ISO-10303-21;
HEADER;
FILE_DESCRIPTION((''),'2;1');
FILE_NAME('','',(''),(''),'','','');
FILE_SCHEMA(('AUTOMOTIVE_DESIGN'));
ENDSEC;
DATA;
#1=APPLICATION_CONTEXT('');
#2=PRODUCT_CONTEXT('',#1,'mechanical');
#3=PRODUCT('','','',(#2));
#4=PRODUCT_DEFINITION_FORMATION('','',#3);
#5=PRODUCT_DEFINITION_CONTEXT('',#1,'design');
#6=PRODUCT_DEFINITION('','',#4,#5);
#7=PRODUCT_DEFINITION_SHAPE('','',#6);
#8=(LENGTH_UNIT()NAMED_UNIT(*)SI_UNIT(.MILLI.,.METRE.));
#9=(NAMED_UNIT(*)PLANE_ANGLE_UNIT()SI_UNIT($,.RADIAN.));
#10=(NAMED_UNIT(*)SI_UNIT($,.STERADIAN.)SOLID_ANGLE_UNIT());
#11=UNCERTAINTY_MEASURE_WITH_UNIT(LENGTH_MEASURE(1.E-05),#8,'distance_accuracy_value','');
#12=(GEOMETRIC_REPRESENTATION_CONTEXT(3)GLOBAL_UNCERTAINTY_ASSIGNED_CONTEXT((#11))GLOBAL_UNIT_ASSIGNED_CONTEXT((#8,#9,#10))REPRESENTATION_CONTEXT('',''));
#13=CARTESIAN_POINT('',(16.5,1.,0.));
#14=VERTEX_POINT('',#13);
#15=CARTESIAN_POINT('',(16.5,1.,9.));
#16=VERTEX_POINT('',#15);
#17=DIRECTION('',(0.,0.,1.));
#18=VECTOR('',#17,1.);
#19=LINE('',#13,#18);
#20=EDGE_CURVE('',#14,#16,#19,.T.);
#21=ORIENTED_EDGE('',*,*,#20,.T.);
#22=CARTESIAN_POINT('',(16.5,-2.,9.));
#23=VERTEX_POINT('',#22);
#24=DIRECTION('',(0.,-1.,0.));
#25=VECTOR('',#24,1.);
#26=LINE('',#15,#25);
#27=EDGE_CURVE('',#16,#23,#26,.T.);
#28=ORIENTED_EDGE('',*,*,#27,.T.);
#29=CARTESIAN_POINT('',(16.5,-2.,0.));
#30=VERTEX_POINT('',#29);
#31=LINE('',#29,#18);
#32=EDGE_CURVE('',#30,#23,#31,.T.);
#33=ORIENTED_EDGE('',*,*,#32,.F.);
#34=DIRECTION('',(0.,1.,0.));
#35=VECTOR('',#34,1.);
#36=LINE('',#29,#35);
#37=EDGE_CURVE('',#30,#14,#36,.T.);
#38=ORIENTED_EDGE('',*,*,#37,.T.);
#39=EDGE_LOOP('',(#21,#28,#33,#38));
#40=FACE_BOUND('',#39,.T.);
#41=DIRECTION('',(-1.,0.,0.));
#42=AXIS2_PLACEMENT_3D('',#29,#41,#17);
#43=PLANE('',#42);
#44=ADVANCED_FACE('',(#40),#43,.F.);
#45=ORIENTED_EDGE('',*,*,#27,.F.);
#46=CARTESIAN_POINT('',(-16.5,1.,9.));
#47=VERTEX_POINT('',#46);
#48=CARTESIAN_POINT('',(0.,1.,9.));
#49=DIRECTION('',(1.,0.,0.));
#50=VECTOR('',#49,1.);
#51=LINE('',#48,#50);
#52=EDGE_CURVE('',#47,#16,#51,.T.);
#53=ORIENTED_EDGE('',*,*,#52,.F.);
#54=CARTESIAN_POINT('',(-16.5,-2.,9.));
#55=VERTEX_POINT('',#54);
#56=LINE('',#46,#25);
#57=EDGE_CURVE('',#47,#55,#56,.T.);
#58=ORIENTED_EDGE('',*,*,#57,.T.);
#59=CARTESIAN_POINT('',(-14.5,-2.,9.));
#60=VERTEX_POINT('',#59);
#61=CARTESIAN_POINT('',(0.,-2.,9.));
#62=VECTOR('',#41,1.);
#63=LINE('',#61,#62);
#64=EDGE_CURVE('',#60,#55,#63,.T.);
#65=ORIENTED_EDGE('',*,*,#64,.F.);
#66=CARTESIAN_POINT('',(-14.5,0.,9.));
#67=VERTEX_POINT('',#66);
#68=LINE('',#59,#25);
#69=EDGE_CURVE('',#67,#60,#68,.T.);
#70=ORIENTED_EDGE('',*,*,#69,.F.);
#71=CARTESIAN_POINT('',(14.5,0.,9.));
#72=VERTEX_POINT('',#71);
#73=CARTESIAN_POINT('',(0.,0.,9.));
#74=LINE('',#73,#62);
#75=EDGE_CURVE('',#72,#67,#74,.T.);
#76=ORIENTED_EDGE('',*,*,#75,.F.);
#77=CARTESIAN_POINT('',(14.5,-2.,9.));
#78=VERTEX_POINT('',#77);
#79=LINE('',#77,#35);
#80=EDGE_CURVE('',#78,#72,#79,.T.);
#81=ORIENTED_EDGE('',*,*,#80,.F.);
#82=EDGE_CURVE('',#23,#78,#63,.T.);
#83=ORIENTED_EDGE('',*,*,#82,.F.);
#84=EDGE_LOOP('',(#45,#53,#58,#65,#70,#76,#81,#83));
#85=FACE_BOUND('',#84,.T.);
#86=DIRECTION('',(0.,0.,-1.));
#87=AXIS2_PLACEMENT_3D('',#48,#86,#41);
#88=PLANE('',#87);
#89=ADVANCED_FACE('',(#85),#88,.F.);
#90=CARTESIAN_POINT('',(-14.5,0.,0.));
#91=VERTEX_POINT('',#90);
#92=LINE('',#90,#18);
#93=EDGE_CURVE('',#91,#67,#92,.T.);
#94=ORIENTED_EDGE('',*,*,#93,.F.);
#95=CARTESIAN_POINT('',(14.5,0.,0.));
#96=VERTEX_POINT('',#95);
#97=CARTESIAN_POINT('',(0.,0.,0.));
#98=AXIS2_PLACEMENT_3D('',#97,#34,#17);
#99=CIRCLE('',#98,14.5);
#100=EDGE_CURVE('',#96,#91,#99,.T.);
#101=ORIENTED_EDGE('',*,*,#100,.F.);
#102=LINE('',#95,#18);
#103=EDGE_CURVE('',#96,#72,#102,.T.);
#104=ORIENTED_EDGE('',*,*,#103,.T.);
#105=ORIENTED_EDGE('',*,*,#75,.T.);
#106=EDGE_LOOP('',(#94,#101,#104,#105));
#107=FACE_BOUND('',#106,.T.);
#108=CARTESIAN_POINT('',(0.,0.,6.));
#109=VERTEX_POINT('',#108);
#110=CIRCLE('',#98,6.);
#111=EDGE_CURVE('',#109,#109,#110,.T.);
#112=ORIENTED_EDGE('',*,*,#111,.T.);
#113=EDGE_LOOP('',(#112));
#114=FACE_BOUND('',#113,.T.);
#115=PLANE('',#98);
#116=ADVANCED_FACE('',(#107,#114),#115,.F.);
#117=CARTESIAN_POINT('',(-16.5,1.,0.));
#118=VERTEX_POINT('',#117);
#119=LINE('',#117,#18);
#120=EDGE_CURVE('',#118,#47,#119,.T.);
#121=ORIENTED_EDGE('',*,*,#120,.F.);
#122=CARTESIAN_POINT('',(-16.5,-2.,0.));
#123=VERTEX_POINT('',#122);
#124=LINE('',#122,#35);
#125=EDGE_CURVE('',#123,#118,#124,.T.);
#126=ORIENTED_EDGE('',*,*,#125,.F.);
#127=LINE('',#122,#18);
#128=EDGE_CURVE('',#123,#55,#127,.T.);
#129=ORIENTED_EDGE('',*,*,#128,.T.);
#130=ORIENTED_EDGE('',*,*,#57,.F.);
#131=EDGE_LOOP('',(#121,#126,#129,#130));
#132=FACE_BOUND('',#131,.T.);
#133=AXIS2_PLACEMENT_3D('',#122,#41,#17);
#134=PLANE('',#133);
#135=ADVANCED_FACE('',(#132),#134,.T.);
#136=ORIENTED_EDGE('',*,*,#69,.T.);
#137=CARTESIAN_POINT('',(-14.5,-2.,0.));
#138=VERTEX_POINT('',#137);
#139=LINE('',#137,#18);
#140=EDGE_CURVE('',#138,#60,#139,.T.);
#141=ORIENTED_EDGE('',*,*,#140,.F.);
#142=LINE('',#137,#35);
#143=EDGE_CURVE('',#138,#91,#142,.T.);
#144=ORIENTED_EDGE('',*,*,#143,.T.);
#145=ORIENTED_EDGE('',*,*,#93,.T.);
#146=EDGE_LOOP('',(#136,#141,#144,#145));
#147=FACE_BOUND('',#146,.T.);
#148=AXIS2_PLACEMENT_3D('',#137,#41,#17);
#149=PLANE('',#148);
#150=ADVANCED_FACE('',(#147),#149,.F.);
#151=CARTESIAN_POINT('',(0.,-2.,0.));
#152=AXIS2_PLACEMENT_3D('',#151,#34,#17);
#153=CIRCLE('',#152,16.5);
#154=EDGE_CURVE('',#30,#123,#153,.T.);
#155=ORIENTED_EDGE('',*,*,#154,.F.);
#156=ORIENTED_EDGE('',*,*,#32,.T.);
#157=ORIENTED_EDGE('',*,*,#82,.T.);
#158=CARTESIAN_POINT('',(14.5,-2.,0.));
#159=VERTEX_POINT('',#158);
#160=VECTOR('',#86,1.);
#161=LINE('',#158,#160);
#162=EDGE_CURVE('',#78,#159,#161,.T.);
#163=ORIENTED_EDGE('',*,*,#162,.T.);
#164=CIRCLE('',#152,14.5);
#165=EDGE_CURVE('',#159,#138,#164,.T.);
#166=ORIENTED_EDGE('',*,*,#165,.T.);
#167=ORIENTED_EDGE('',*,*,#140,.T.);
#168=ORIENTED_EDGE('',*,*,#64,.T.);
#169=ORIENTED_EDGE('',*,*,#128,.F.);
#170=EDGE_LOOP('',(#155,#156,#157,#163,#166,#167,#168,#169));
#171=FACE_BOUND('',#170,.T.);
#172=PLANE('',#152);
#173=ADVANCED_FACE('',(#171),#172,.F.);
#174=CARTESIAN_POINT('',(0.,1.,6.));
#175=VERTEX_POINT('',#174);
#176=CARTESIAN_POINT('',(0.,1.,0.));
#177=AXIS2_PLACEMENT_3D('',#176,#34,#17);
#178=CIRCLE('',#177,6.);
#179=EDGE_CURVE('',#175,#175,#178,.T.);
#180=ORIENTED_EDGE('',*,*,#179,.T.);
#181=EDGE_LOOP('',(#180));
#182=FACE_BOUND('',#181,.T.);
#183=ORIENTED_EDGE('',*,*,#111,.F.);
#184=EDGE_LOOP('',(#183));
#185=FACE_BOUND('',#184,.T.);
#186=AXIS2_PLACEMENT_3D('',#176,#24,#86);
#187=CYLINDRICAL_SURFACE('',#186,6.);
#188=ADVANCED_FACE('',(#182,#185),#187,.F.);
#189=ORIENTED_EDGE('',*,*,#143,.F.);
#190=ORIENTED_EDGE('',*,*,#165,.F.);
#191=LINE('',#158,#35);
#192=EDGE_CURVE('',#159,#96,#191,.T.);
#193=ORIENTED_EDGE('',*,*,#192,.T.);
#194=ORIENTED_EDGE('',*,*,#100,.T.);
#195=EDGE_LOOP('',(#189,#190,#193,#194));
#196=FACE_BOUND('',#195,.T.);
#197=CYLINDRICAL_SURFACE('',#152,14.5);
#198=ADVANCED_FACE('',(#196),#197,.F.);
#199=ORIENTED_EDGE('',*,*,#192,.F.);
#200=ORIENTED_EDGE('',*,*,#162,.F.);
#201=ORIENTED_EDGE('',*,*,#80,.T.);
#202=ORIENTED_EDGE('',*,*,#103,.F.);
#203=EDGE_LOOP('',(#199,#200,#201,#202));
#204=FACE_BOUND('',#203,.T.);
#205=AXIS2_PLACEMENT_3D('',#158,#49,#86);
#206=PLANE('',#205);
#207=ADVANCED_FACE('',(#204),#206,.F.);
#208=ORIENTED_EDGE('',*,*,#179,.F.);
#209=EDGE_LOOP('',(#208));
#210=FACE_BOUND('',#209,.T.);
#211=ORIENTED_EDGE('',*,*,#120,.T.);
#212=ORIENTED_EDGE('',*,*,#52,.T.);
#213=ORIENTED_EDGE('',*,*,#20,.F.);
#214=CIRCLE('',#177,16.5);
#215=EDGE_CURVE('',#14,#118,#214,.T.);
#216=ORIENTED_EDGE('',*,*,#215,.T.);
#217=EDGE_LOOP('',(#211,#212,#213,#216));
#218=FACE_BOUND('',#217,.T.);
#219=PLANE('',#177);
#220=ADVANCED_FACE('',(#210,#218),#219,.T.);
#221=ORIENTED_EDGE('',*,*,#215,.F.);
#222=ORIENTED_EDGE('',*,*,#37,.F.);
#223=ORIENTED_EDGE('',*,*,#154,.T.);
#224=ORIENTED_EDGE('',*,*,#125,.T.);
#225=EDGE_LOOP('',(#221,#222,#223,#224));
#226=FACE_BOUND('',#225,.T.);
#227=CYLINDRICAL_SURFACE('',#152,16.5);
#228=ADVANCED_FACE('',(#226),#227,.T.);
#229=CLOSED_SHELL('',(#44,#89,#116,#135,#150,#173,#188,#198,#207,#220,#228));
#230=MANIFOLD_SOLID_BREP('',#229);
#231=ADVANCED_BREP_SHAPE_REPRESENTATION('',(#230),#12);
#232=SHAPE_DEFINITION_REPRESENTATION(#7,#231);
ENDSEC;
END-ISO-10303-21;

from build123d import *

# Parameters (mm, degrees)
SKETCH1_R               = 14.5
SKETCH1_R_2             = 6
BOSS_EXTRUDE1_DEPTH     = 1
BOSS_EXTRUDE2_START     = -3
BOSS_EXTRUDE2_DEPTH     = 3
CUT_EXTRUDE1_DEPTH      = 24.526580712
CUT_EXTRUDE1_DEPTH_BACK = 24.526580712
SKETCH3_W               = 29
SKETCH3_H               = 5.5


with BuildPart() as part:
    # Sketch1 → Boss-Extrude1 (new body)
    # profile 1 of 3: a face of its own
    with BuildSketch(Plane(origin=(0, 0, 0), x_dir=(1, 0, 0), z_dir=(0, 1, 0))):
        Circle(SKETCH1_R)
        with Locations(Location((0, 0, 0), (0, 0, 270))):
            Circle(SKETCH1_R_2, mode=Mode.SUBTRACT)
    # profile 2 of 3: a face of its own
    with BuildSketch(Plane(origin=(0, 0, 0), x_dir=(1, 0, 0), z_dir=(0, 1, 0))):
        with BuildLine():
            ThreePointArc((0, -14.5), (-10.253048327, -10.253048327), (-14.5, 0))
            Line((-14.5, 0), (-14.5, -14.5))
            Line((-14.5, -14.5), (0, -14.5))
        make_face()
    # profile 3 of 3: a face of its own
    with BuildSketch(Plane(origin=(0, 0, 0), x_dir=(1, 0, 0), z_dir=(0, 1, 0))):
        with BuildLine():
            Line((14.5, -14.5), (14.5, 0))
            ThreePointArc((14.5, 0), (10.253048327, -10.253048327), (0, -14.5))
            Line((0, -14.5), (14.5, -14.5))
        make_face()
    extrude(amount=BOSS_EXTRUDE1_DEPTH)

    # Sketch2 → Boss-Extrude2 (add)
    with BuildSketch(Plane(origin=(0, 1, 0), x_dir=(1, 0, 0), z_dir=(0, 1, 0)).offset(BOSS_EXTRUDE2_START)):
        with BuildLine():
            ThreePointArc((7.874007874, -14.5), (4.062019223, -15.992185587), (4.2e-08, -16.5))
            Line((4.2e-08, -16.5), (16.5, -16.5))
            Line((16.5, -16.5), (16.5, 0))
            ThreePointArc((16.5, 0), (15.992185592, -4.062019202), (14.5, -7.874007874))
            Line((14.5, -7.874007874), (14.5, -14.5))
            Line((14.5, -14.5), (7.874007874, -14.5))
        make_face()
        with BuildLine():
            ThreePointArc((-7.874007874, -14.5), (-4.062019182, -15.992185597), (4.2e-08, -16.5))
            ThreePointArc((4.2e-08, -16.5), (4.062019223, -15.992185587), (7.874007874, -14.5))
            Line((7.874007874, -14.5), (-7.874007874, -14.5))
        make_face()
        with BuildLine():
            ThreePointArc((-14.5, -7.874007874), (-15.992185592, -4.062019202), (-16.5, 0))
            Line((-16.5, 0), (-16.5, -16.5))
            Line((-16.5, -16.5), (4.2e-08, -16.5))
            ThreePointArc((4.2e-08, -16.5), (-4.062019182, -15.992185597), (-7.874007874, -14.5))
            Line((-7.874007874, -14.5), (-14.5, -14.5))
            Line((-14.5, -14.5), (-14.5, -7.874007874))
        make_face()
        with BuildLine():
            Line((-14.5, 0), (-16.5, 0))
            ThreePointArc((-16.5, 0), (-15.992185592, -4.062019202), (-14.5, -7.874007874))
            Line((-14.5, -7.874007874), (-14.5, 0))
        make_face()
        with BuildLine():
            Line((16.5, 0), (14.5, 0))
            Line((14.5, 0), (14.5, -7.874007874))
            ThreePointArc((14.5, -7.874007874), (15.992185592, -4.062019202), (16.5, 0))
        make_face()
        with BuildLine():
            ThreePointArc((3.4e-08, 16.5), (-11.667261877, 11.667261902), (-16.5, 0))
            Line((-16.5, 0), (-14.5, 0))
            ThreePointArc((-14.5, 0), (0, 14.5), (14.5, 0))
            Line((14.5, 0), (16.5, 0))
            ThreePointArc((16.5, 0), (11.667261902, 11.667261877), (3.4e-08, 16.5))
        make_face()
    extrude(amount=BOSS_EXTRUDE2_DEPTH)

    # Sketch3 → Cut-Extrude1 (cut, two sides: drawn at the far end of the back side and taken through both)
    with BuildSketch(Plane.XZ.offset(2).offset(-CUT_EXTRUDE1_DEPTH_BACK)):
        Polygon((16.5, 16.5), (-16.5, 16.5), (-16.5, 9), (-14.5, 9), (-14.5, 14.5), (14.5, 14.5), (14.5, 9), (16.5, 9), align=None)
        with Locations((0, 11.75)):
            Rectangle(SKETCH3_W, SKETCH3_H)
    extrude(amount=CUT_EXTRUDE1_DEPTH + CUT_EXTRUDE1_DEPTH_BACK, mode=Mode.SUBTRACT)


solid = part.part
